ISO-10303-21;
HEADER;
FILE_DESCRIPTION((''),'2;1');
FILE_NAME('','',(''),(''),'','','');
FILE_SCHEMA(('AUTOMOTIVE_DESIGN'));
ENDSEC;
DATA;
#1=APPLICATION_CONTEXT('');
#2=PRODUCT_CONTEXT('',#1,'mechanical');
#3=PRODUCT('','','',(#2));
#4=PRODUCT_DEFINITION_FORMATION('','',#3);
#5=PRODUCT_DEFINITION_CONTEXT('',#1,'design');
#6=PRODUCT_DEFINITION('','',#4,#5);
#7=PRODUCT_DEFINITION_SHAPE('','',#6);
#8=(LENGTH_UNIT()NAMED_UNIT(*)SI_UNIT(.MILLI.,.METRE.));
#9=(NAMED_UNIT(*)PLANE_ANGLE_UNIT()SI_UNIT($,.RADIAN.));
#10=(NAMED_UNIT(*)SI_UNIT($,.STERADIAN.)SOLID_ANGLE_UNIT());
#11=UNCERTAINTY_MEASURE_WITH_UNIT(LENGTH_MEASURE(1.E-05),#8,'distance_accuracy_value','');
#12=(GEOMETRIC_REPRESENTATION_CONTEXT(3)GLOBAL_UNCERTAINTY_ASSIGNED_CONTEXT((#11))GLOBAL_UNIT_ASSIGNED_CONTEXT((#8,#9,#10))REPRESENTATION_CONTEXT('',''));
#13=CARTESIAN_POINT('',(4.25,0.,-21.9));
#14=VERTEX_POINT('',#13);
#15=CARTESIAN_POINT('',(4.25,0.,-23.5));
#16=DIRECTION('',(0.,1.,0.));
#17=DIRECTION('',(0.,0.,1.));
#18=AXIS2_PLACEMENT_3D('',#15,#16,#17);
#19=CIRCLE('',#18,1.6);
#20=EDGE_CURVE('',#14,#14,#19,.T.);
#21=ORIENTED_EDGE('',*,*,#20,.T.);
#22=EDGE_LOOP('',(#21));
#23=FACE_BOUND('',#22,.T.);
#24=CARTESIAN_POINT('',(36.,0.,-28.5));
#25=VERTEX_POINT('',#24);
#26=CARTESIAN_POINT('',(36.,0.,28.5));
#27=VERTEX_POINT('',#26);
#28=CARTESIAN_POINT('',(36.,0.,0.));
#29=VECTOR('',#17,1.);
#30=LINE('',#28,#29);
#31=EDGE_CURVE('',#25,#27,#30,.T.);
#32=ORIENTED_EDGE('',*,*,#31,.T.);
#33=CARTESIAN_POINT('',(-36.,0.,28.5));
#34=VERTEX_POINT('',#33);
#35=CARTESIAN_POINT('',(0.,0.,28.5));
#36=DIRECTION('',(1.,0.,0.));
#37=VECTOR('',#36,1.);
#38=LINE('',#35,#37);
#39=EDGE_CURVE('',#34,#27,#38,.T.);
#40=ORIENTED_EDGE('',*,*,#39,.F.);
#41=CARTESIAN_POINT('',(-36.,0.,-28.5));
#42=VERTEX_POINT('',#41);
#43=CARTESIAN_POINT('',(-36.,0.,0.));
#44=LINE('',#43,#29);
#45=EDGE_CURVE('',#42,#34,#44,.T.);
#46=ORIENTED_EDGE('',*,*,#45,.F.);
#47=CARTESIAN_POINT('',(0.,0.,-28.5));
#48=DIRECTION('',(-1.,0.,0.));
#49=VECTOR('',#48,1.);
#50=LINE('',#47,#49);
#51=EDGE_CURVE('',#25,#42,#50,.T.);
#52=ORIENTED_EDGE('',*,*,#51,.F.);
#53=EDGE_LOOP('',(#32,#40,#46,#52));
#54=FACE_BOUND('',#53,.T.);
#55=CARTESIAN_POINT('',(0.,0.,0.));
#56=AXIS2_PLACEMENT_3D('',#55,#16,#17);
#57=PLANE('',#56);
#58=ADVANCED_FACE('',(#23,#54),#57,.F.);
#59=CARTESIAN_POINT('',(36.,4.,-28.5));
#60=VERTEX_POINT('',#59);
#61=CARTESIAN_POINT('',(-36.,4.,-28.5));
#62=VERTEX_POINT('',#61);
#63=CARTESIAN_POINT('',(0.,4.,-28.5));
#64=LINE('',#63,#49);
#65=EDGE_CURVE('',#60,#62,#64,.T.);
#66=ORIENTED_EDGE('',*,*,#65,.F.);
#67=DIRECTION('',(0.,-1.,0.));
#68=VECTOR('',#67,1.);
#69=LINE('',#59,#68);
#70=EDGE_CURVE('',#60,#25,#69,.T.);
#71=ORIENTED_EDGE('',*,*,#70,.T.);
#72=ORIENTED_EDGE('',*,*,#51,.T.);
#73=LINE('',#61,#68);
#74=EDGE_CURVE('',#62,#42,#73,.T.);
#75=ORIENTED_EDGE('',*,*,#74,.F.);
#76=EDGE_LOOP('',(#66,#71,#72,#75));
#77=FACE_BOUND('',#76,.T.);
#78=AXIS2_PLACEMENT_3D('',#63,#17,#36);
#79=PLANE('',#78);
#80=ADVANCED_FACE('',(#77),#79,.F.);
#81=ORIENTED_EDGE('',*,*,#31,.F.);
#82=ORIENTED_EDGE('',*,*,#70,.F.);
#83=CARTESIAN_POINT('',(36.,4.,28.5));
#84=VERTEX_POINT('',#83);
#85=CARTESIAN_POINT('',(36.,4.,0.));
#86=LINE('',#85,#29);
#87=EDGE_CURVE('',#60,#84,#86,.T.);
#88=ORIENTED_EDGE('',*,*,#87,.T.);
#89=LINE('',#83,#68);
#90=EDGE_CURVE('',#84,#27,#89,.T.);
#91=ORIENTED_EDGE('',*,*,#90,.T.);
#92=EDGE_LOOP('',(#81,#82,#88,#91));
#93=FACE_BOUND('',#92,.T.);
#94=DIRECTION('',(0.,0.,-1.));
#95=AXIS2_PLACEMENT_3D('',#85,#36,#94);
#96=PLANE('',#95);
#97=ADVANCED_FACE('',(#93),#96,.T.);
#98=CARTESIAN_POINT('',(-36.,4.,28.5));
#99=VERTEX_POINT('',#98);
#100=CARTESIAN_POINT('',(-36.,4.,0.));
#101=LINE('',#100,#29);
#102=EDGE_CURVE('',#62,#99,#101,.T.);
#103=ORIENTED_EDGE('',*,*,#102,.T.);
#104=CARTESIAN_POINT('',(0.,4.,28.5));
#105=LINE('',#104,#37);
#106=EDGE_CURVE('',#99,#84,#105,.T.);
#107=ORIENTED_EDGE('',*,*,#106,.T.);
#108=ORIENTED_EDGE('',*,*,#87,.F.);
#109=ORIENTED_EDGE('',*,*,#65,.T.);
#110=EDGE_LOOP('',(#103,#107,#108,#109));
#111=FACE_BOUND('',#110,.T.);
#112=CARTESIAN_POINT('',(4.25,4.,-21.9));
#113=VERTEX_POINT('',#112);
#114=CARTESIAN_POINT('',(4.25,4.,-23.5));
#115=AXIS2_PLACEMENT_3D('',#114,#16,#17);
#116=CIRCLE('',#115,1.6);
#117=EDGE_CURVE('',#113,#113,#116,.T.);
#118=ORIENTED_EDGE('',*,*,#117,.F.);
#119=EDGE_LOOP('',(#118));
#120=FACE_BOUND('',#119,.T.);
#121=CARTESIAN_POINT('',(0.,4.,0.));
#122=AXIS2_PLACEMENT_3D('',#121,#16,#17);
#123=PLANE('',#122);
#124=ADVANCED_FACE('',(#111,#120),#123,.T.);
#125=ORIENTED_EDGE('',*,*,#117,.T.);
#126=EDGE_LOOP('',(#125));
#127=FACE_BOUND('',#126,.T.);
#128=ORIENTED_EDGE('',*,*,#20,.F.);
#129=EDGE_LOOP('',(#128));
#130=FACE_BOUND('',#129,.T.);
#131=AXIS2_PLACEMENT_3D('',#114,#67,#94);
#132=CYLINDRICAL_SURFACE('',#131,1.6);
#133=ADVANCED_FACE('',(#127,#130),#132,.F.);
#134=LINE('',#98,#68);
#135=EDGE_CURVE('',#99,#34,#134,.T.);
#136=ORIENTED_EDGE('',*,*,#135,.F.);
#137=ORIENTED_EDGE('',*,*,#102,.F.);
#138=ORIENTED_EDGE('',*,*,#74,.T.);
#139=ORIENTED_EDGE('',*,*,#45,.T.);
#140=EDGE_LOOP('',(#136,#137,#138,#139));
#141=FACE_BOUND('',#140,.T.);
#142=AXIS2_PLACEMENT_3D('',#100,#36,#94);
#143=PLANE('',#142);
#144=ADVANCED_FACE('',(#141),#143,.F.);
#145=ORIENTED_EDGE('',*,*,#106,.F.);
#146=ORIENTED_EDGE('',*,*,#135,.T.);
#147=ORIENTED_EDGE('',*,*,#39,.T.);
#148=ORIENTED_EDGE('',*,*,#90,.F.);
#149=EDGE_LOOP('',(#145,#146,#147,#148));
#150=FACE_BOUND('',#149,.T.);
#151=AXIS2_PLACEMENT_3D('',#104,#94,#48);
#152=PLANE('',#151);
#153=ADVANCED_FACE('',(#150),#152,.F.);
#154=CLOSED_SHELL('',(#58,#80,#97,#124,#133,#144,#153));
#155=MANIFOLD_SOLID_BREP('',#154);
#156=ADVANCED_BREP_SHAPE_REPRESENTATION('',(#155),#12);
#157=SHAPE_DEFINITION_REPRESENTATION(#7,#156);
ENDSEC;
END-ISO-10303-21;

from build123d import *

# Parameters (mm, degrees)
SKETCH1_R           = 1.6
BOSS_EXTRUDE1_DEPTH = 4


with BuildPart() as part:
    # Sketch1 → Boss-Extrude1 (new body)
    with BuildSketch(Plane(origin=(0, 0, 0), x_dir=(1, 0, 0), z_dir=(0, 1, 0))):
        Polygon((36, -28.5), (36, 28.5), (4.25, 28.5), (-36, 28.5), (-36, -28.5), align=None)
        with Locations(Location((4.25, 23.5, 0), (0, 0, 270))):
            Circle(SKETCH1_R, mode=Mode.SUBTRACT)
    extrude(amount=BOSS_EXTRUDE1_DEPTH)


solid = part.part
